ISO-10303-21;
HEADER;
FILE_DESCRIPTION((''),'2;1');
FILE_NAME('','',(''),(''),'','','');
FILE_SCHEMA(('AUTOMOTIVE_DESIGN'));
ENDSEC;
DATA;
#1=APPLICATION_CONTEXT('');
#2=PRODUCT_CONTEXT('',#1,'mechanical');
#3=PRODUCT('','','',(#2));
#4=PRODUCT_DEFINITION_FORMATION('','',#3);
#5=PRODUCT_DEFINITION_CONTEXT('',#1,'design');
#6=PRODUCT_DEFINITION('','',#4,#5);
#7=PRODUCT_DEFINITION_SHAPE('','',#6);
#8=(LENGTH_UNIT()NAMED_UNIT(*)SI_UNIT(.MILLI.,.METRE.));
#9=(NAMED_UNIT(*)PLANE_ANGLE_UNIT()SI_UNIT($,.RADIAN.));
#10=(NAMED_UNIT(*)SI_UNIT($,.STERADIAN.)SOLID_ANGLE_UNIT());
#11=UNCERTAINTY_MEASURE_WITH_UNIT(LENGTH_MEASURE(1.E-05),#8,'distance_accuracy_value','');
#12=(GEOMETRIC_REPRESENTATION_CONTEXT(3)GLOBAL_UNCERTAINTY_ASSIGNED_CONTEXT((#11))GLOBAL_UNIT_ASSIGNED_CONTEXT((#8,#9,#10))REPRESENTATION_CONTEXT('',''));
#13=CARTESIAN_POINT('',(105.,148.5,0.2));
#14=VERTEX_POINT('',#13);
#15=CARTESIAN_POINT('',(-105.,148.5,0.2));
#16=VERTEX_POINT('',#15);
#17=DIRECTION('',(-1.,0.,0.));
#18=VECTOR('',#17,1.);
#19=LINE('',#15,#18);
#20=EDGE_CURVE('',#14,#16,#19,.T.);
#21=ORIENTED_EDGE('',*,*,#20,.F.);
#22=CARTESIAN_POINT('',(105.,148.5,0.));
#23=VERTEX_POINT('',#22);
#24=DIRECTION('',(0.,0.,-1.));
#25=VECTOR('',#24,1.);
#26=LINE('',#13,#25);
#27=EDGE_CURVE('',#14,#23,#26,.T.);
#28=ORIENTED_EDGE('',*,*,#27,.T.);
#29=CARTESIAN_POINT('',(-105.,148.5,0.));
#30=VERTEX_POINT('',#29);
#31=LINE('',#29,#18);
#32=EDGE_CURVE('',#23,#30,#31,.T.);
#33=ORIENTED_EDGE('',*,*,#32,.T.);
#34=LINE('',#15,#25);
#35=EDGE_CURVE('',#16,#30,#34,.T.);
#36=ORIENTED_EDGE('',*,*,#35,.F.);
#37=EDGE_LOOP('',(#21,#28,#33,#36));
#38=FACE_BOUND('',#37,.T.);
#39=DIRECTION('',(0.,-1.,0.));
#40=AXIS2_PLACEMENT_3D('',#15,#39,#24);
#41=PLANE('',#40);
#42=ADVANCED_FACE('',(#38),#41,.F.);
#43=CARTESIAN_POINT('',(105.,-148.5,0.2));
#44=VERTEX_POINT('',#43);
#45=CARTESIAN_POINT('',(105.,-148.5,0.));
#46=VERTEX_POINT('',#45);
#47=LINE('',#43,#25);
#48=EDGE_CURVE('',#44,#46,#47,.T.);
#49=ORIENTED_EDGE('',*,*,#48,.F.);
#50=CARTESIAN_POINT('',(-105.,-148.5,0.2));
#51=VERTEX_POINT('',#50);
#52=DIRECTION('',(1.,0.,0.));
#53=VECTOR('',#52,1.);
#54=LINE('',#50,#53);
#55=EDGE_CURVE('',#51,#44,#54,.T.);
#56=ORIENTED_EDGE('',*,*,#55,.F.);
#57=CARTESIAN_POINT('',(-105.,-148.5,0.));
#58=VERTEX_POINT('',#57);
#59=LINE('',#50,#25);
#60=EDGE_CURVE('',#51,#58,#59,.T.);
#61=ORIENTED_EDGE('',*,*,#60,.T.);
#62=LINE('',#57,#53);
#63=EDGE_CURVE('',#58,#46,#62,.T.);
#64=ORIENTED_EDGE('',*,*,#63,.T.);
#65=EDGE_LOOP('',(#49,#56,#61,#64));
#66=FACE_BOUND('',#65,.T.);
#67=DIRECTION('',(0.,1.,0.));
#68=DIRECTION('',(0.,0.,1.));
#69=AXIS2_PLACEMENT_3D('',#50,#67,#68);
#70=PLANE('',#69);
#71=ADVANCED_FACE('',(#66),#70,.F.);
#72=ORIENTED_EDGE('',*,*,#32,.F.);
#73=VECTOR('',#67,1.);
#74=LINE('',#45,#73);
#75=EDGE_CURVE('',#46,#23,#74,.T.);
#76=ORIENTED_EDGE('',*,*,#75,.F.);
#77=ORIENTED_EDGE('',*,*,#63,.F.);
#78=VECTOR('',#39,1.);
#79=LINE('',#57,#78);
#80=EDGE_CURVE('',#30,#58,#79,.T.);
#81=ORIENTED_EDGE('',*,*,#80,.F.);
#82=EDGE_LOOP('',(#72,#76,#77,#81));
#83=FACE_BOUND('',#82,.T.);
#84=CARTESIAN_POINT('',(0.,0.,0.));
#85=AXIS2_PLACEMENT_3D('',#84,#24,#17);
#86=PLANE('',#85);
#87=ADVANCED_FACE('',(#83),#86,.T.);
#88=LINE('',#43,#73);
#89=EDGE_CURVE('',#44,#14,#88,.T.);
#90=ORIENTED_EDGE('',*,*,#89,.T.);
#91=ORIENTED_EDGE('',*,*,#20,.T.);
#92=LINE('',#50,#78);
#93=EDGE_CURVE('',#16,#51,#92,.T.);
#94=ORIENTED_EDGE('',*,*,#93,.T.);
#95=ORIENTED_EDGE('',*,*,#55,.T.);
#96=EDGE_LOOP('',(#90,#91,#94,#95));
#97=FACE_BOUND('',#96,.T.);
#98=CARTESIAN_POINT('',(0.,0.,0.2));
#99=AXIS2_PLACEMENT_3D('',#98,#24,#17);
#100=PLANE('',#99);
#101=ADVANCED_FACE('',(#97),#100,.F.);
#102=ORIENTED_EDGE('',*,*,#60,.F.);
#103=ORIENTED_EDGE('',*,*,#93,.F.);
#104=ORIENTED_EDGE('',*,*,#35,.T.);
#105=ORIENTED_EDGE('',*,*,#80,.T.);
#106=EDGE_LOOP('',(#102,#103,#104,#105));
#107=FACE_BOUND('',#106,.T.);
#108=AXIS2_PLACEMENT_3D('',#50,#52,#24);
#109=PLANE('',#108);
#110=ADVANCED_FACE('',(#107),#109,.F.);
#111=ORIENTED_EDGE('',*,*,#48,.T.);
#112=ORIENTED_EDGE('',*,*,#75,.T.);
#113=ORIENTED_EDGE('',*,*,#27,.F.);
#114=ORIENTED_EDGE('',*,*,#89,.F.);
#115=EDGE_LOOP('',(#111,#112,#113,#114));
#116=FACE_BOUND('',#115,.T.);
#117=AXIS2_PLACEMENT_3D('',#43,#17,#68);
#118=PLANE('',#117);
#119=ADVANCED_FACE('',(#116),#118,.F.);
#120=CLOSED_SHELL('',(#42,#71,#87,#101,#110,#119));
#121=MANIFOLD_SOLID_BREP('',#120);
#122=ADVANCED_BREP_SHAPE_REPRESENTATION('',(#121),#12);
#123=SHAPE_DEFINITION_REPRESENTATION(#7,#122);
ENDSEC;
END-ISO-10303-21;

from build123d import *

# Parameters (mm, degrees)
ESQUISSE1_W        = 210
ESQUISSE1_H        = 297
BOSS_EXTRU_1_DEPTH = 0.2


with BuildPart() as part:
    # Esquisse1 → Boss.-Extru.1 (new body)
    with BuildSketch(Plane.XY):
        Rectangle(ESQUISSE1_W, ESQUISSE1_H)
    extrude(amount=BOSS_EXTRU_1_DEPTH)


solid = part.part
